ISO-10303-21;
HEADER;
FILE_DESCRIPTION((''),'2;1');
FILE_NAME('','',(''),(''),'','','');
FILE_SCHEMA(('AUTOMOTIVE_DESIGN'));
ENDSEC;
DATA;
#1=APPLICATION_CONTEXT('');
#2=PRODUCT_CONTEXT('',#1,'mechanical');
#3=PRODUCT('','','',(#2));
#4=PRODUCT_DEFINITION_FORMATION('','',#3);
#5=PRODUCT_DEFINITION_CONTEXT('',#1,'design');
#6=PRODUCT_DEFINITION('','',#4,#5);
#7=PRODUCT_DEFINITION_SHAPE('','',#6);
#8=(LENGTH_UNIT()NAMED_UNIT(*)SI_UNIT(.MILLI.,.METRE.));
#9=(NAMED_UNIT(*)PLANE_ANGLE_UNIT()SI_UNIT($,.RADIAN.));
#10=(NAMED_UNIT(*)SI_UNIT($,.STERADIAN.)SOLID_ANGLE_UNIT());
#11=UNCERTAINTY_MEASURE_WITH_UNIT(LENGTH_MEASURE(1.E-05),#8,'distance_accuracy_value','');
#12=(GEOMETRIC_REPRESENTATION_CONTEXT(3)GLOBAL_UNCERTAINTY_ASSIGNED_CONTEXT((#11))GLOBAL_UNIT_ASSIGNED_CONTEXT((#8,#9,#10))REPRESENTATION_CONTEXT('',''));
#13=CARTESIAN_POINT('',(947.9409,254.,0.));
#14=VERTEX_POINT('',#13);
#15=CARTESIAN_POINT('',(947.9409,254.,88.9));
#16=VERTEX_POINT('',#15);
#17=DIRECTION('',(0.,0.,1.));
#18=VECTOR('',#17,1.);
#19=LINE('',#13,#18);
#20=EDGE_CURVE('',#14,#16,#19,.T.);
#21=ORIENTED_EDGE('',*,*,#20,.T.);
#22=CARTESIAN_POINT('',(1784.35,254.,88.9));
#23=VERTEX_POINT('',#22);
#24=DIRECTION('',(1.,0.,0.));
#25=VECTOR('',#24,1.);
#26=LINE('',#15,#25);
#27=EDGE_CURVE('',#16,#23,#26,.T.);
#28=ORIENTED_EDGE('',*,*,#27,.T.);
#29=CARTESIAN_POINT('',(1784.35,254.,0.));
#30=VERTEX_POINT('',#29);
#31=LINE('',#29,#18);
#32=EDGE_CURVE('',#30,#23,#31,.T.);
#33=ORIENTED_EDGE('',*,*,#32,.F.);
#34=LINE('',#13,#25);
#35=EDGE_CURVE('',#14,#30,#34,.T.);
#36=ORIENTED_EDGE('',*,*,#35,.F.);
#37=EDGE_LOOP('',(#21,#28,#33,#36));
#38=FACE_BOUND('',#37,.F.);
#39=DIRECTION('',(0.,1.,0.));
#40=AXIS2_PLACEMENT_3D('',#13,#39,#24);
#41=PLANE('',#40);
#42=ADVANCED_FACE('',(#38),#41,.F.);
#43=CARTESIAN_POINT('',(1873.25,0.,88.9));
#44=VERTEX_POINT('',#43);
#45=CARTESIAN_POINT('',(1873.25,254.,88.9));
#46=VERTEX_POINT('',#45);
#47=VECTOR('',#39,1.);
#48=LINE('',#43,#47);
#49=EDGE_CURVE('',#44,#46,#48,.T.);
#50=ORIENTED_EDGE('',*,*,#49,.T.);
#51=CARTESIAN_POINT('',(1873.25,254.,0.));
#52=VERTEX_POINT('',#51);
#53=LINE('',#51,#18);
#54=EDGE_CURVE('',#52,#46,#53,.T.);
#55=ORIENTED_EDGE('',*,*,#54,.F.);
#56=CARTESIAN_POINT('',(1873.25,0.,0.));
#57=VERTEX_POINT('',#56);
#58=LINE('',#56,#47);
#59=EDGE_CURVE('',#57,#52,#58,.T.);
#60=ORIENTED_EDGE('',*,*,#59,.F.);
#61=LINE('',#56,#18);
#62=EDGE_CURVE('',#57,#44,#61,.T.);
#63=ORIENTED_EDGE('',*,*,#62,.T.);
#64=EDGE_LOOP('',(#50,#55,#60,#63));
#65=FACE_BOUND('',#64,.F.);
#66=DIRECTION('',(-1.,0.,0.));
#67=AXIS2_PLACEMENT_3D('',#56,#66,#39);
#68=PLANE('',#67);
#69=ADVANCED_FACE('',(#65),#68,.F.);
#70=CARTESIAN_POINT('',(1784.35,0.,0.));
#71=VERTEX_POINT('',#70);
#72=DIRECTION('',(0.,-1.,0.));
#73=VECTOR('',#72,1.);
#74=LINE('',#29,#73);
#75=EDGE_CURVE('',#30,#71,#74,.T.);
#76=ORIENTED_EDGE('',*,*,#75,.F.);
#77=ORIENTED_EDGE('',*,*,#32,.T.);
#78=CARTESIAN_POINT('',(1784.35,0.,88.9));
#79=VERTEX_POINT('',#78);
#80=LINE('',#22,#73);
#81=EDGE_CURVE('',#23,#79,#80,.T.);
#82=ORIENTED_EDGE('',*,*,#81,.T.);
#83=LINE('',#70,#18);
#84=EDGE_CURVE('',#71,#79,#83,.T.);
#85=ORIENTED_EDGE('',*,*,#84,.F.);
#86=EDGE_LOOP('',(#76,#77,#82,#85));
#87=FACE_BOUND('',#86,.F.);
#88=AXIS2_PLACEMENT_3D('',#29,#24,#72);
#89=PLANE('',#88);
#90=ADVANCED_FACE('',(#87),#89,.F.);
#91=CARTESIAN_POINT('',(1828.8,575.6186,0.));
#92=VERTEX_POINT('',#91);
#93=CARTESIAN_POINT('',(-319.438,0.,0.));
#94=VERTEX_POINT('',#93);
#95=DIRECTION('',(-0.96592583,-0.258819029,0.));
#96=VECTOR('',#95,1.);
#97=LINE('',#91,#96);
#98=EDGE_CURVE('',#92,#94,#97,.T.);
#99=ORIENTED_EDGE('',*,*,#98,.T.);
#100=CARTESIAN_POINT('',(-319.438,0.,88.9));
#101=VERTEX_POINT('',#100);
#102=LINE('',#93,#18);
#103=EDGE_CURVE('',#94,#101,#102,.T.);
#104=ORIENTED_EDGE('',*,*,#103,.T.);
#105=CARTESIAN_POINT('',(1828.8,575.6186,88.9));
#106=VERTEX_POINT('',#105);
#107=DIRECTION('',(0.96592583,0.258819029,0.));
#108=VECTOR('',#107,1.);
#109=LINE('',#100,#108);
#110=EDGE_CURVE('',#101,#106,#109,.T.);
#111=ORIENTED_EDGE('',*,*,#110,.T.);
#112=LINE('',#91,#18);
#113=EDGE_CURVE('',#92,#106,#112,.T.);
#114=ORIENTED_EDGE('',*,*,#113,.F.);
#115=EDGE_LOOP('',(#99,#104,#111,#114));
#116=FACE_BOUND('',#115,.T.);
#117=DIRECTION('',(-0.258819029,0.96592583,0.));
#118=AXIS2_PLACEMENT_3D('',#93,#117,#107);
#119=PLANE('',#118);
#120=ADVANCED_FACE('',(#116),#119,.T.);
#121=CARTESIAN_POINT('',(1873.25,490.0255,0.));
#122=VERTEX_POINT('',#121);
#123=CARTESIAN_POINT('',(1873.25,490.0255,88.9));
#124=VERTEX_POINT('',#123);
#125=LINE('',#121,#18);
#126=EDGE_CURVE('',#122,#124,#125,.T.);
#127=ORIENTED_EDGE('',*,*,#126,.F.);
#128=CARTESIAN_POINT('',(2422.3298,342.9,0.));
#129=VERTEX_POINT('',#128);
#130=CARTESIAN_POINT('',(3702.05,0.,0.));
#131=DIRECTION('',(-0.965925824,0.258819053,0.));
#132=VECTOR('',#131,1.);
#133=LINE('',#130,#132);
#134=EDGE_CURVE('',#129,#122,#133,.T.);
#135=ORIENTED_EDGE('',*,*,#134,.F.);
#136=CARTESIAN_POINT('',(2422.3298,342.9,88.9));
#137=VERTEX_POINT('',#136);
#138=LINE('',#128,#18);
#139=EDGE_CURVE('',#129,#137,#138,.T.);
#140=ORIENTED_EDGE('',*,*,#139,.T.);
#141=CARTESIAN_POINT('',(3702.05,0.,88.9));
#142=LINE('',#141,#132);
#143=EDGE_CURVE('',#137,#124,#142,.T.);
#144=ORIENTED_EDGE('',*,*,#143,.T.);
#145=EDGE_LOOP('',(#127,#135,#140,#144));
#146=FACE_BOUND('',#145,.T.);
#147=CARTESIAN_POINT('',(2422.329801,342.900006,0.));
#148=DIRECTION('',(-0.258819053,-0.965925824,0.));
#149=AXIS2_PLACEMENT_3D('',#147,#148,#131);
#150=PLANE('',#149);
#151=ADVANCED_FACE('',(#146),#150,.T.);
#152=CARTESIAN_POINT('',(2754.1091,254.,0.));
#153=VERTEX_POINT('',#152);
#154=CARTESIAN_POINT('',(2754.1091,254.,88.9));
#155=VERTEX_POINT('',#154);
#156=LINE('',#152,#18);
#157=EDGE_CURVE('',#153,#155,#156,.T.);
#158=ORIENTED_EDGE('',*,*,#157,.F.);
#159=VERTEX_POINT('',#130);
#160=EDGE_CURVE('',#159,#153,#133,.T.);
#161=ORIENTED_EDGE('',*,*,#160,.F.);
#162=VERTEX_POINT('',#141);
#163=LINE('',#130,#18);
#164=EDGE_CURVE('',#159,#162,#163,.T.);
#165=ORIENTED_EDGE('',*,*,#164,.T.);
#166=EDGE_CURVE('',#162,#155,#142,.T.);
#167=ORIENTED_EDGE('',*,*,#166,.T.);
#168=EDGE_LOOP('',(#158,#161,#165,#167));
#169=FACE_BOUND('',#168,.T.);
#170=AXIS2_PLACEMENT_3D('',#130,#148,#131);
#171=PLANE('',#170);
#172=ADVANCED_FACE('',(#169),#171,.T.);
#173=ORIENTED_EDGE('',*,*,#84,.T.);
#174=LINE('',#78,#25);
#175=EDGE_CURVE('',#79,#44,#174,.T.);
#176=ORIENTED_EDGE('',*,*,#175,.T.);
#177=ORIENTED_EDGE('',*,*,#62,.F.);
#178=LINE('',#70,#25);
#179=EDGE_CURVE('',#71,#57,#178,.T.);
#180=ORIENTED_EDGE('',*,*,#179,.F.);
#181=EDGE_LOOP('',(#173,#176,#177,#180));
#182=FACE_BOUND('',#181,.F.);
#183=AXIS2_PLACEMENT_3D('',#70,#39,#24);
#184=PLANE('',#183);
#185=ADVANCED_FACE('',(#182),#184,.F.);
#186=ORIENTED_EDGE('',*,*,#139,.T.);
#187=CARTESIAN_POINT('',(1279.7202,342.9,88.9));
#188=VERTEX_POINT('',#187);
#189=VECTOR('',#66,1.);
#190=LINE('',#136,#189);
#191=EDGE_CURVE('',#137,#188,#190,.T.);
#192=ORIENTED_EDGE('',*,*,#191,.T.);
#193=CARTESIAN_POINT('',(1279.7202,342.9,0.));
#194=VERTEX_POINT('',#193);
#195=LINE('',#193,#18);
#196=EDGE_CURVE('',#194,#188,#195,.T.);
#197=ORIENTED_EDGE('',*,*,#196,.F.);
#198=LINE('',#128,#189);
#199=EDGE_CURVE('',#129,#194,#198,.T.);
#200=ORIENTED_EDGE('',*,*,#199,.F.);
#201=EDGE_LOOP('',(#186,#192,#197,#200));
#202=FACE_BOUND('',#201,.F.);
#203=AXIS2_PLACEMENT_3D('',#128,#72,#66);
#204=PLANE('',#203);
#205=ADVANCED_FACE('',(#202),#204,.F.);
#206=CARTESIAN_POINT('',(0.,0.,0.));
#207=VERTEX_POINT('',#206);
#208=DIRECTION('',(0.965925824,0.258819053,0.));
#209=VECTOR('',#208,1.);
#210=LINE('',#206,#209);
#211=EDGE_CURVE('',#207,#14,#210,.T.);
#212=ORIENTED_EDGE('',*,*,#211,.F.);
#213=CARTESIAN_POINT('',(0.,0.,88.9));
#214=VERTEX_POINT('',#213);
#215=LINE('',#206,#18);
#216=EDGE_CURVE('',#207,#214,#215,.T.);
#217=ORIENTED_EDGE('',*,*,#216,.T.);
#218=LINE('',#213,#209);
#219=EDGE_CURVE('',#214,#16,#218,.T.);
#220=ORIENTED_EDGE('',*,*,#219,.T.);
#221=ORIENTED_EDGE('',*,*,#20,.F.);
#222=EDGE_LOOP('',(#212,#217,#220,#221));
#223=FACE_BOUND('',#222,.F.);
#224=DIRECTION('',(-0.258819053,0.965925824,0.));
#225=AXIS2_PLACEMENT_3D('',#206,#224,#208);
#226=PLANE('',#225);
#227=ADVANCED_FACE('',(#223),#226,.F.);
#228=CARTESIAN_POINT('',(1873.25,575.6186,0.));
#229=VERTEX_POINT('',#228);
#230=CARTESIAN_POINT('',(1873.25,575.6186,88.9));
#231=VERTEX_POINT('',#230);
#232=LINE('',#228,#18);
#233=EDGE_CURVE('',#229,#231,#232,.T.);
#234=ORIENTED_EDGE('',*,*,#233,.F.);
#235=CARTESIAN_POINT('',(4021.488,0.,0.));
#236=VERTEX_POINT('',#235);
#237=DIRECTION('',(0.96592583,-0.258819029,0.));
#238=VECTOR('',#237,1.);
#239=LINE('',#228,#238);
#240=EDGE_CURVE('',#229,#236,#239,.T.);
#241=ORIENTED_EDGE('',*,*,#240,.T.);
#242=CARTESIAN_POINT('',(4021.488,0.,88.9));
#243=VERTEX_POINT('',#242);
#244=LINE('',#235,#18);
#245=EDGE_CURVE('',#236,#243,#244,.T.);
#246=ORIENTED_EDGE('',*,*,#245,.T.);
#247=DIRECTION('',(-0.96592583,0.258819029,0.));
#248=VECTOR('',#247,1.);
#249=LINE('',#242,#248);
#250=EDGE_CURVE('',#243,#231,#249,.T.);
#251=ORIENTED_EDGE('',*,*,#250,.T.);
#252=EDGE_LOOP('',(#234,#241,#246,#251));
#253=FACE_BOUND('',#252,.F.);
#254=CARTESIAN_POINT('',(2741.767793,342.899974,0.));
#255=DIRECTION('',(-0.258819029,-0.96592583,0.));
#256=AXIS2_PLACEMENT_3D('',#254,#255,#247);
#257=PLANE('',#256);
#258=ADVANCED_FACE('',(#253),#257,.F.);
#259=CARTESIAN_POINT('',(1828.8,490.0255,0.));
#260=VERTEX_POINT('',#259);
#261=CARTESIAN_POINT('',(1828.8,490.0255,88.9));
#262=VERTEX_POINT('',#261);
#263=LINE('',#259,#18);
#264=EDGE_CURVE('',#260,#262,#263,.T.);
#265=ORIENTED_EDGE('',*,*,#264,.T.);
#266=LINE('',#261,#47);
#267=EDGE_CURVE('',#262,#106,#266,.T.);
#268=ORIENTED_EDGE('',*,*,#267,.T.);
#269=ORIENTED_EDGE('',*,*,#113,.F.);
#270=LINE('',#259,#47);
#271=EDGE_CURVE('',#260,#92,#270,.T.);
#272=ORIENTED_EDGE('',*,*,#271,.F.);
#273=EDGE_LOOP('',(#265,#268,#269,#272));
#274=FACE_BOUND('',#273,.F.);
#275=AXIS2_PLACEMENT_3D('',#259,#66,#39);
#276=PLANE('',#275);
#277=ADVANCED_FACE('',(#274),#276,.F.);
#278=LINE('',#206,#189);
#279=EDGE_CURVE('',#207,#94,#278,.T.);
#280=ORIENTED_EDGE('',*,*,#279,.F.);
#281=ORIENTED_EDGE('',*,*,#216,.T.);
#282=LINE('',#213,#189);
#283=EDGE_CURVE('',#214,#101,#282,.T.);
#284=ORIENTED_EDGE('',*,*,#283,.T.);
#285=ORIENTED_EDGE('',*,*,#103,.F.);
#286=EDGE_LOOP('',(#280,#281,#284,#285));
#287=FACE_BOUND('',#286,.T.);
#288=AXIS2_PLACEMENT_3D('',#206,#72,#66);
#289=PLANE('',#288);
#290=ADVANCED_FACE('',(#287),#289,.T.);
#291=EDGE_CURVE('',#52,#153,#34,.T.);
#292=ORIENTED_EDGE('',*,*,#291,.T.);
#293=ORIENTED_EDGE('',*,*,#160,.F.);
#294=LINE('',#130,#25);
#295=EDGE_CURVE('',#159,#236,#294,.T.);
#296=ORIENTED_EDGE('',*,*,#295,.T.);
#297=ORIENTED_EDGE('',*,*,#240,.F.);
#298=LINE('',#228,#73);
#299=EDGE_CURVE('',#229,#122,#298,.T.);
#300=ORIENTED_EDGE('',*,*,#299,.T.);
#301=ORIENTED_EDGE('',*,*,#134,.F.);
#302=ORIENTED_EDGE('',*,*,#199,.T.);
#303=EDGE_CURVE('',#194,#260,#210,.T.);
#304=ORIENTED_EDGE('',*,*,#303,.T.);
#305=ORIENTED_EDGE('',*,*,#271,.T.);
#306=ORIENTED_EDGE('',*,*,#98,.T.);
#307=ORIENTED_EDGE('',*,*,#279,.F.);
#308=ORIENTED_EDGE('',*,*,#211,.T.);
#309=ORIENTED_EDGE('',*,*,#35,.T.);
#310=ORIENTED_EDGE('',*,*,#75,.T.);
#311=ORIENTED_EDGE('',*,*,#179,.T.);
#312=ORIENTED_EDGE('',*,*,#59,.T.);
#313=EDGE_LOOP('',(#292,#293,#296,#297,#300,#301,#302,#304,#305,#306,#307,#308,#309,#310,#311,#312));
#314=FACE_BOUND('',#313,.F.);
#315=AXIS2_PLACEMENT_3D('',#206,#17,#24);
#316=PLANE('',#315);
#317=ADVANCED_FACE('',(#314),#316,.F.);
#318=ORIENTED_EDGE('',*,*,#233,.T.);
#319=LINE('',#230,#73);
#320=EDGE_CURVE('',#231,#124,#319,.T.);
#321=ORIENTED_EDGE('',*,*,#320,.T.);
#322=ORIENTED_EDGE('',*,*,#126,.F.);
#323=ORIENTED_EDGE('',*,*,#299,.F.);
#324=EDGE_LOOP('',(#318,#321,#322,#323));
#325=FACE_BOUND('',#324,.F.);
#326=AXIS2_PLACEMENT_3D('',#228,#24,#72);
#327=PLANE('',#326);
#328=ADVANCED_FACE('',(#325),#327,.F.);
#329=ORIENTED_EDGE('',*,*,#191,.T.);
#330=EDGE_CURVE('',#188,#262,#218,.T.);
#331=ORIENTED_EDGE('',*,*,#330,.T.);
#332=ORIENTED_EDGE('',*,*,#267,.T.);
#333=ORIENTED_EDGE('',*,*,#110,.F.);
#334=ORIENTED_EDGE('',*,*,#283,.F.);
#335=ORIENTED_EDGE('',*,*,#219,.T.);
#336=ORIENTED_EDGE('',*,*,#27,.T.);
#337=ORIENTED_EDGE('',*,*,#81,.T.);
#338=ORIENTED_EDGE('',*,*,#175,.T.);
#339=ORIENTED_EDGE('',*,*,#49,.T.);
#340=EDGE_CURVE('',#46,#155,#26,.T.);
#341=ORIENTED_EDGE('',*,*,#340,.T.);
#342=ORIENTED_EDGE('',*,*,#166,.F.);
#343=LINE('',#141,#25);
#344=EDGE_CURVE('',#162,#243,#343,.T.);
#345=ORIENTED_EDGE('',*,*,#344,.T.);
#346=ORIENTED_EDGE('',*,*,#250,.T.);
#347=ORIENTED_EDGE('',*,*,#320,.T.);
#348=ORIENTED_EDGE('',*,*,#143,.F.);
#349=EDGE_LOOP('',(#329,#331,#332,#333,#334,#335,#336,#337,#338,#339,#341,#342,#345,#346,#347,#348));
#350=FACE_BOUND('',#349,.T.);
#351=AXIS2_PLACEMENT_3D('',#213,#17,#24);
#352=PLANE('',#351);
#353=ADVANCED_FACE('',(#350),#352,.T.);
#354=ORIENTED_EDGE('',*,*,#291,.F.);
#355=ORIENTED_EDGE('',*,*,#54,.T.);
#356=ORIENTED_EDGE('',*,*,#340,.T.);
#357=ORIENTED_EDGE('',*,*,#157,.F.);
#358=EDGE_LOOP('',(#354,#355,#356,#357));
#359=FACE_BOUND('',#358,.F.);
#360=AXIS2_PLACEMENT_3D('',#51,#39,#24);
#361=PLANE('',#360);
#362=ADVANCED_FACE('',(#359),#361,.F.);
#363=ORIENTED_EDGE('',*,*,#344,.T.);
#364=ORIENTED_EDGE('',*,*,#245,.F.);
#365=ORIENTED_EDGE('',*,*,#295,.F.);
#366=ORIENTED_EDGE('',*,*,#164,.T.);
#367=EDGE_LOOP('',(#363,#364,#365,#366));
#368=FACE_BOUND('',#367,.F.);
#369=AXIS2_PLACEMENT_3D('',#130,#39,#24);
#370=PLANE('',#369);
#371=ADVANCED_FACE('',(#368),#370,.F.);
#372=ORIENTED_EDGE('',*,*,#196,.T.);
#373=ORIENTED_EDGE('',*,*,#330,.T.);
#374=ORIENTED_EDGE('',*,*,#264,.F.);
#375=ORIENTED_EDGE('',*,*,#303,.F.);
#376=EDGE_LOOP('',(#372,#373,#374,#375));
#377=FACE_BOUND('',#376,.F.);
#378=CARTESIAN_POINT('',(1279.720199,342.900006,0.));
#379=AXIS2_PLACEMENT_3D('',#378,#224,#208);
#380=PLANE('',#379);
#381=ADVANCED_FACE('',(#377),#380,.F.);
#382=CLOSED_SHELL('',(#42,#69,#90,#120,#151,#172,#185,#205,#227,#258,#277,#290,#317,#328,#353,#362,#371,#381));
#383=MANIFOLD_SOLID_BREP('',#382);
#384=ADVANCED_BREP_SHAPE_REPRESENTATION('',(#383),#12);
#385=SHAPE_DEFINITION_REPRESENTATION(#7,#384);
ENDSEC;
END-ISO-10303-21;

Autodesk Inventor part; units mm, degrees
ref_plane "YZ Plane" through (0, 0, 0) normal (1, 0, 0) x (0, 1, 0)
ref_plane "XZ Plane" through (0, 0, 0) normal (0, 1, 0) x (-1, 0, 0)
ref_plane "XY Plane" through (0, 0, 0) normal (0, 0, 1) x (1, 0, 0)
sketch "Sketch1" plane through (0, 0, 0) normal (0, 0, 1) x (1, 0, 0)
  line L0 (0, 0) -> (1828.8, 0) construction
  line L1 (0, 0) -> (1828.8, 490.0255)
  line L2 (1828.8, 0) -> (1828.8, 490.0255) construction
  line L3 (-319.438, 0) -> (1828.8, 575.6186)
  line L4 (1828.8, 490.0255) -> (1828.8, 575.6186)
  line L5 (0, 0) -> (-319.438, 0)
  line L6 (1828.8, 575.6186) -> (1873.25, 575.6186)
  line L7 (1873.25, 575.6186) -> (1873.25, 435.9186)
  line L8 (1873.25, 435.9186) -> (1828.8, 435.9186)
  line L9 (1828.8, 435.9186) -> (1828.8, 575.6186)
  line L10 (1851.025, 575.6186) -> (1851.025, 435.9186) construction
  line L11 (3702.05, 0) -> (1873.25, 490.0255)
  line L12 (4021.488, 0) -> (1873.25, 575.6186)
  line L13 (1873.25, 490.0255) -> (1873.25, 575.6186)
  line L14 (3702.05, 0) -> (4021.488, 0)
  line L15 (1784.35, 0) -> (1873.25, 0)
  line L16 (1873.25, 0) -> (1873.25, 254)
  line L17 (1873.25, 254) -> (1784.35, 254)
  line L18 (1784.35, 254) -> (1784.35, 0)
  line L19 (1828.8, 254) -> (1828.8, 0) construction
  line L20 (947.9409, 254) -> (2754.1091, 254)
  line L21 (2755.9432, 339.1017) -> (2755.9432, 342.9)
  line L22 (947.9409, 342.9) -> (947.9409, 339.5932)
  line L23 (960.2822, 342.9) -> (947.9409, 342.9)
  line L24 (2755.9432, 342.9) -> (2741.7678, 342.9)
  line L25 (2422.3298, 342.9) -> (1279.7202, 342.9)
  line L26 (947.9409, 254) -> (1279.7202, 342.9)
  line L27 (2422.3298, 342.9) -> (2754.1091, 254)
  dimension "d0" = 1828.8
  dimension "d1" = 15
  dimension "d2" = 139.7
  dimension "d3" = 44.45
  dimension "d4" = 254
  dimension "d5" = 88.9
  dimension "d6" = 88.9
extrude "Extrusion1" add sketch "Sketch1" along normal blind 88.9 contours L5 L3 L4 L1 | L1 L25 L11 L20 L17 | L17 L16 L15 L18 | L11 L7 L12 L14
properties part number "peak" material "Wood (Birch)"
